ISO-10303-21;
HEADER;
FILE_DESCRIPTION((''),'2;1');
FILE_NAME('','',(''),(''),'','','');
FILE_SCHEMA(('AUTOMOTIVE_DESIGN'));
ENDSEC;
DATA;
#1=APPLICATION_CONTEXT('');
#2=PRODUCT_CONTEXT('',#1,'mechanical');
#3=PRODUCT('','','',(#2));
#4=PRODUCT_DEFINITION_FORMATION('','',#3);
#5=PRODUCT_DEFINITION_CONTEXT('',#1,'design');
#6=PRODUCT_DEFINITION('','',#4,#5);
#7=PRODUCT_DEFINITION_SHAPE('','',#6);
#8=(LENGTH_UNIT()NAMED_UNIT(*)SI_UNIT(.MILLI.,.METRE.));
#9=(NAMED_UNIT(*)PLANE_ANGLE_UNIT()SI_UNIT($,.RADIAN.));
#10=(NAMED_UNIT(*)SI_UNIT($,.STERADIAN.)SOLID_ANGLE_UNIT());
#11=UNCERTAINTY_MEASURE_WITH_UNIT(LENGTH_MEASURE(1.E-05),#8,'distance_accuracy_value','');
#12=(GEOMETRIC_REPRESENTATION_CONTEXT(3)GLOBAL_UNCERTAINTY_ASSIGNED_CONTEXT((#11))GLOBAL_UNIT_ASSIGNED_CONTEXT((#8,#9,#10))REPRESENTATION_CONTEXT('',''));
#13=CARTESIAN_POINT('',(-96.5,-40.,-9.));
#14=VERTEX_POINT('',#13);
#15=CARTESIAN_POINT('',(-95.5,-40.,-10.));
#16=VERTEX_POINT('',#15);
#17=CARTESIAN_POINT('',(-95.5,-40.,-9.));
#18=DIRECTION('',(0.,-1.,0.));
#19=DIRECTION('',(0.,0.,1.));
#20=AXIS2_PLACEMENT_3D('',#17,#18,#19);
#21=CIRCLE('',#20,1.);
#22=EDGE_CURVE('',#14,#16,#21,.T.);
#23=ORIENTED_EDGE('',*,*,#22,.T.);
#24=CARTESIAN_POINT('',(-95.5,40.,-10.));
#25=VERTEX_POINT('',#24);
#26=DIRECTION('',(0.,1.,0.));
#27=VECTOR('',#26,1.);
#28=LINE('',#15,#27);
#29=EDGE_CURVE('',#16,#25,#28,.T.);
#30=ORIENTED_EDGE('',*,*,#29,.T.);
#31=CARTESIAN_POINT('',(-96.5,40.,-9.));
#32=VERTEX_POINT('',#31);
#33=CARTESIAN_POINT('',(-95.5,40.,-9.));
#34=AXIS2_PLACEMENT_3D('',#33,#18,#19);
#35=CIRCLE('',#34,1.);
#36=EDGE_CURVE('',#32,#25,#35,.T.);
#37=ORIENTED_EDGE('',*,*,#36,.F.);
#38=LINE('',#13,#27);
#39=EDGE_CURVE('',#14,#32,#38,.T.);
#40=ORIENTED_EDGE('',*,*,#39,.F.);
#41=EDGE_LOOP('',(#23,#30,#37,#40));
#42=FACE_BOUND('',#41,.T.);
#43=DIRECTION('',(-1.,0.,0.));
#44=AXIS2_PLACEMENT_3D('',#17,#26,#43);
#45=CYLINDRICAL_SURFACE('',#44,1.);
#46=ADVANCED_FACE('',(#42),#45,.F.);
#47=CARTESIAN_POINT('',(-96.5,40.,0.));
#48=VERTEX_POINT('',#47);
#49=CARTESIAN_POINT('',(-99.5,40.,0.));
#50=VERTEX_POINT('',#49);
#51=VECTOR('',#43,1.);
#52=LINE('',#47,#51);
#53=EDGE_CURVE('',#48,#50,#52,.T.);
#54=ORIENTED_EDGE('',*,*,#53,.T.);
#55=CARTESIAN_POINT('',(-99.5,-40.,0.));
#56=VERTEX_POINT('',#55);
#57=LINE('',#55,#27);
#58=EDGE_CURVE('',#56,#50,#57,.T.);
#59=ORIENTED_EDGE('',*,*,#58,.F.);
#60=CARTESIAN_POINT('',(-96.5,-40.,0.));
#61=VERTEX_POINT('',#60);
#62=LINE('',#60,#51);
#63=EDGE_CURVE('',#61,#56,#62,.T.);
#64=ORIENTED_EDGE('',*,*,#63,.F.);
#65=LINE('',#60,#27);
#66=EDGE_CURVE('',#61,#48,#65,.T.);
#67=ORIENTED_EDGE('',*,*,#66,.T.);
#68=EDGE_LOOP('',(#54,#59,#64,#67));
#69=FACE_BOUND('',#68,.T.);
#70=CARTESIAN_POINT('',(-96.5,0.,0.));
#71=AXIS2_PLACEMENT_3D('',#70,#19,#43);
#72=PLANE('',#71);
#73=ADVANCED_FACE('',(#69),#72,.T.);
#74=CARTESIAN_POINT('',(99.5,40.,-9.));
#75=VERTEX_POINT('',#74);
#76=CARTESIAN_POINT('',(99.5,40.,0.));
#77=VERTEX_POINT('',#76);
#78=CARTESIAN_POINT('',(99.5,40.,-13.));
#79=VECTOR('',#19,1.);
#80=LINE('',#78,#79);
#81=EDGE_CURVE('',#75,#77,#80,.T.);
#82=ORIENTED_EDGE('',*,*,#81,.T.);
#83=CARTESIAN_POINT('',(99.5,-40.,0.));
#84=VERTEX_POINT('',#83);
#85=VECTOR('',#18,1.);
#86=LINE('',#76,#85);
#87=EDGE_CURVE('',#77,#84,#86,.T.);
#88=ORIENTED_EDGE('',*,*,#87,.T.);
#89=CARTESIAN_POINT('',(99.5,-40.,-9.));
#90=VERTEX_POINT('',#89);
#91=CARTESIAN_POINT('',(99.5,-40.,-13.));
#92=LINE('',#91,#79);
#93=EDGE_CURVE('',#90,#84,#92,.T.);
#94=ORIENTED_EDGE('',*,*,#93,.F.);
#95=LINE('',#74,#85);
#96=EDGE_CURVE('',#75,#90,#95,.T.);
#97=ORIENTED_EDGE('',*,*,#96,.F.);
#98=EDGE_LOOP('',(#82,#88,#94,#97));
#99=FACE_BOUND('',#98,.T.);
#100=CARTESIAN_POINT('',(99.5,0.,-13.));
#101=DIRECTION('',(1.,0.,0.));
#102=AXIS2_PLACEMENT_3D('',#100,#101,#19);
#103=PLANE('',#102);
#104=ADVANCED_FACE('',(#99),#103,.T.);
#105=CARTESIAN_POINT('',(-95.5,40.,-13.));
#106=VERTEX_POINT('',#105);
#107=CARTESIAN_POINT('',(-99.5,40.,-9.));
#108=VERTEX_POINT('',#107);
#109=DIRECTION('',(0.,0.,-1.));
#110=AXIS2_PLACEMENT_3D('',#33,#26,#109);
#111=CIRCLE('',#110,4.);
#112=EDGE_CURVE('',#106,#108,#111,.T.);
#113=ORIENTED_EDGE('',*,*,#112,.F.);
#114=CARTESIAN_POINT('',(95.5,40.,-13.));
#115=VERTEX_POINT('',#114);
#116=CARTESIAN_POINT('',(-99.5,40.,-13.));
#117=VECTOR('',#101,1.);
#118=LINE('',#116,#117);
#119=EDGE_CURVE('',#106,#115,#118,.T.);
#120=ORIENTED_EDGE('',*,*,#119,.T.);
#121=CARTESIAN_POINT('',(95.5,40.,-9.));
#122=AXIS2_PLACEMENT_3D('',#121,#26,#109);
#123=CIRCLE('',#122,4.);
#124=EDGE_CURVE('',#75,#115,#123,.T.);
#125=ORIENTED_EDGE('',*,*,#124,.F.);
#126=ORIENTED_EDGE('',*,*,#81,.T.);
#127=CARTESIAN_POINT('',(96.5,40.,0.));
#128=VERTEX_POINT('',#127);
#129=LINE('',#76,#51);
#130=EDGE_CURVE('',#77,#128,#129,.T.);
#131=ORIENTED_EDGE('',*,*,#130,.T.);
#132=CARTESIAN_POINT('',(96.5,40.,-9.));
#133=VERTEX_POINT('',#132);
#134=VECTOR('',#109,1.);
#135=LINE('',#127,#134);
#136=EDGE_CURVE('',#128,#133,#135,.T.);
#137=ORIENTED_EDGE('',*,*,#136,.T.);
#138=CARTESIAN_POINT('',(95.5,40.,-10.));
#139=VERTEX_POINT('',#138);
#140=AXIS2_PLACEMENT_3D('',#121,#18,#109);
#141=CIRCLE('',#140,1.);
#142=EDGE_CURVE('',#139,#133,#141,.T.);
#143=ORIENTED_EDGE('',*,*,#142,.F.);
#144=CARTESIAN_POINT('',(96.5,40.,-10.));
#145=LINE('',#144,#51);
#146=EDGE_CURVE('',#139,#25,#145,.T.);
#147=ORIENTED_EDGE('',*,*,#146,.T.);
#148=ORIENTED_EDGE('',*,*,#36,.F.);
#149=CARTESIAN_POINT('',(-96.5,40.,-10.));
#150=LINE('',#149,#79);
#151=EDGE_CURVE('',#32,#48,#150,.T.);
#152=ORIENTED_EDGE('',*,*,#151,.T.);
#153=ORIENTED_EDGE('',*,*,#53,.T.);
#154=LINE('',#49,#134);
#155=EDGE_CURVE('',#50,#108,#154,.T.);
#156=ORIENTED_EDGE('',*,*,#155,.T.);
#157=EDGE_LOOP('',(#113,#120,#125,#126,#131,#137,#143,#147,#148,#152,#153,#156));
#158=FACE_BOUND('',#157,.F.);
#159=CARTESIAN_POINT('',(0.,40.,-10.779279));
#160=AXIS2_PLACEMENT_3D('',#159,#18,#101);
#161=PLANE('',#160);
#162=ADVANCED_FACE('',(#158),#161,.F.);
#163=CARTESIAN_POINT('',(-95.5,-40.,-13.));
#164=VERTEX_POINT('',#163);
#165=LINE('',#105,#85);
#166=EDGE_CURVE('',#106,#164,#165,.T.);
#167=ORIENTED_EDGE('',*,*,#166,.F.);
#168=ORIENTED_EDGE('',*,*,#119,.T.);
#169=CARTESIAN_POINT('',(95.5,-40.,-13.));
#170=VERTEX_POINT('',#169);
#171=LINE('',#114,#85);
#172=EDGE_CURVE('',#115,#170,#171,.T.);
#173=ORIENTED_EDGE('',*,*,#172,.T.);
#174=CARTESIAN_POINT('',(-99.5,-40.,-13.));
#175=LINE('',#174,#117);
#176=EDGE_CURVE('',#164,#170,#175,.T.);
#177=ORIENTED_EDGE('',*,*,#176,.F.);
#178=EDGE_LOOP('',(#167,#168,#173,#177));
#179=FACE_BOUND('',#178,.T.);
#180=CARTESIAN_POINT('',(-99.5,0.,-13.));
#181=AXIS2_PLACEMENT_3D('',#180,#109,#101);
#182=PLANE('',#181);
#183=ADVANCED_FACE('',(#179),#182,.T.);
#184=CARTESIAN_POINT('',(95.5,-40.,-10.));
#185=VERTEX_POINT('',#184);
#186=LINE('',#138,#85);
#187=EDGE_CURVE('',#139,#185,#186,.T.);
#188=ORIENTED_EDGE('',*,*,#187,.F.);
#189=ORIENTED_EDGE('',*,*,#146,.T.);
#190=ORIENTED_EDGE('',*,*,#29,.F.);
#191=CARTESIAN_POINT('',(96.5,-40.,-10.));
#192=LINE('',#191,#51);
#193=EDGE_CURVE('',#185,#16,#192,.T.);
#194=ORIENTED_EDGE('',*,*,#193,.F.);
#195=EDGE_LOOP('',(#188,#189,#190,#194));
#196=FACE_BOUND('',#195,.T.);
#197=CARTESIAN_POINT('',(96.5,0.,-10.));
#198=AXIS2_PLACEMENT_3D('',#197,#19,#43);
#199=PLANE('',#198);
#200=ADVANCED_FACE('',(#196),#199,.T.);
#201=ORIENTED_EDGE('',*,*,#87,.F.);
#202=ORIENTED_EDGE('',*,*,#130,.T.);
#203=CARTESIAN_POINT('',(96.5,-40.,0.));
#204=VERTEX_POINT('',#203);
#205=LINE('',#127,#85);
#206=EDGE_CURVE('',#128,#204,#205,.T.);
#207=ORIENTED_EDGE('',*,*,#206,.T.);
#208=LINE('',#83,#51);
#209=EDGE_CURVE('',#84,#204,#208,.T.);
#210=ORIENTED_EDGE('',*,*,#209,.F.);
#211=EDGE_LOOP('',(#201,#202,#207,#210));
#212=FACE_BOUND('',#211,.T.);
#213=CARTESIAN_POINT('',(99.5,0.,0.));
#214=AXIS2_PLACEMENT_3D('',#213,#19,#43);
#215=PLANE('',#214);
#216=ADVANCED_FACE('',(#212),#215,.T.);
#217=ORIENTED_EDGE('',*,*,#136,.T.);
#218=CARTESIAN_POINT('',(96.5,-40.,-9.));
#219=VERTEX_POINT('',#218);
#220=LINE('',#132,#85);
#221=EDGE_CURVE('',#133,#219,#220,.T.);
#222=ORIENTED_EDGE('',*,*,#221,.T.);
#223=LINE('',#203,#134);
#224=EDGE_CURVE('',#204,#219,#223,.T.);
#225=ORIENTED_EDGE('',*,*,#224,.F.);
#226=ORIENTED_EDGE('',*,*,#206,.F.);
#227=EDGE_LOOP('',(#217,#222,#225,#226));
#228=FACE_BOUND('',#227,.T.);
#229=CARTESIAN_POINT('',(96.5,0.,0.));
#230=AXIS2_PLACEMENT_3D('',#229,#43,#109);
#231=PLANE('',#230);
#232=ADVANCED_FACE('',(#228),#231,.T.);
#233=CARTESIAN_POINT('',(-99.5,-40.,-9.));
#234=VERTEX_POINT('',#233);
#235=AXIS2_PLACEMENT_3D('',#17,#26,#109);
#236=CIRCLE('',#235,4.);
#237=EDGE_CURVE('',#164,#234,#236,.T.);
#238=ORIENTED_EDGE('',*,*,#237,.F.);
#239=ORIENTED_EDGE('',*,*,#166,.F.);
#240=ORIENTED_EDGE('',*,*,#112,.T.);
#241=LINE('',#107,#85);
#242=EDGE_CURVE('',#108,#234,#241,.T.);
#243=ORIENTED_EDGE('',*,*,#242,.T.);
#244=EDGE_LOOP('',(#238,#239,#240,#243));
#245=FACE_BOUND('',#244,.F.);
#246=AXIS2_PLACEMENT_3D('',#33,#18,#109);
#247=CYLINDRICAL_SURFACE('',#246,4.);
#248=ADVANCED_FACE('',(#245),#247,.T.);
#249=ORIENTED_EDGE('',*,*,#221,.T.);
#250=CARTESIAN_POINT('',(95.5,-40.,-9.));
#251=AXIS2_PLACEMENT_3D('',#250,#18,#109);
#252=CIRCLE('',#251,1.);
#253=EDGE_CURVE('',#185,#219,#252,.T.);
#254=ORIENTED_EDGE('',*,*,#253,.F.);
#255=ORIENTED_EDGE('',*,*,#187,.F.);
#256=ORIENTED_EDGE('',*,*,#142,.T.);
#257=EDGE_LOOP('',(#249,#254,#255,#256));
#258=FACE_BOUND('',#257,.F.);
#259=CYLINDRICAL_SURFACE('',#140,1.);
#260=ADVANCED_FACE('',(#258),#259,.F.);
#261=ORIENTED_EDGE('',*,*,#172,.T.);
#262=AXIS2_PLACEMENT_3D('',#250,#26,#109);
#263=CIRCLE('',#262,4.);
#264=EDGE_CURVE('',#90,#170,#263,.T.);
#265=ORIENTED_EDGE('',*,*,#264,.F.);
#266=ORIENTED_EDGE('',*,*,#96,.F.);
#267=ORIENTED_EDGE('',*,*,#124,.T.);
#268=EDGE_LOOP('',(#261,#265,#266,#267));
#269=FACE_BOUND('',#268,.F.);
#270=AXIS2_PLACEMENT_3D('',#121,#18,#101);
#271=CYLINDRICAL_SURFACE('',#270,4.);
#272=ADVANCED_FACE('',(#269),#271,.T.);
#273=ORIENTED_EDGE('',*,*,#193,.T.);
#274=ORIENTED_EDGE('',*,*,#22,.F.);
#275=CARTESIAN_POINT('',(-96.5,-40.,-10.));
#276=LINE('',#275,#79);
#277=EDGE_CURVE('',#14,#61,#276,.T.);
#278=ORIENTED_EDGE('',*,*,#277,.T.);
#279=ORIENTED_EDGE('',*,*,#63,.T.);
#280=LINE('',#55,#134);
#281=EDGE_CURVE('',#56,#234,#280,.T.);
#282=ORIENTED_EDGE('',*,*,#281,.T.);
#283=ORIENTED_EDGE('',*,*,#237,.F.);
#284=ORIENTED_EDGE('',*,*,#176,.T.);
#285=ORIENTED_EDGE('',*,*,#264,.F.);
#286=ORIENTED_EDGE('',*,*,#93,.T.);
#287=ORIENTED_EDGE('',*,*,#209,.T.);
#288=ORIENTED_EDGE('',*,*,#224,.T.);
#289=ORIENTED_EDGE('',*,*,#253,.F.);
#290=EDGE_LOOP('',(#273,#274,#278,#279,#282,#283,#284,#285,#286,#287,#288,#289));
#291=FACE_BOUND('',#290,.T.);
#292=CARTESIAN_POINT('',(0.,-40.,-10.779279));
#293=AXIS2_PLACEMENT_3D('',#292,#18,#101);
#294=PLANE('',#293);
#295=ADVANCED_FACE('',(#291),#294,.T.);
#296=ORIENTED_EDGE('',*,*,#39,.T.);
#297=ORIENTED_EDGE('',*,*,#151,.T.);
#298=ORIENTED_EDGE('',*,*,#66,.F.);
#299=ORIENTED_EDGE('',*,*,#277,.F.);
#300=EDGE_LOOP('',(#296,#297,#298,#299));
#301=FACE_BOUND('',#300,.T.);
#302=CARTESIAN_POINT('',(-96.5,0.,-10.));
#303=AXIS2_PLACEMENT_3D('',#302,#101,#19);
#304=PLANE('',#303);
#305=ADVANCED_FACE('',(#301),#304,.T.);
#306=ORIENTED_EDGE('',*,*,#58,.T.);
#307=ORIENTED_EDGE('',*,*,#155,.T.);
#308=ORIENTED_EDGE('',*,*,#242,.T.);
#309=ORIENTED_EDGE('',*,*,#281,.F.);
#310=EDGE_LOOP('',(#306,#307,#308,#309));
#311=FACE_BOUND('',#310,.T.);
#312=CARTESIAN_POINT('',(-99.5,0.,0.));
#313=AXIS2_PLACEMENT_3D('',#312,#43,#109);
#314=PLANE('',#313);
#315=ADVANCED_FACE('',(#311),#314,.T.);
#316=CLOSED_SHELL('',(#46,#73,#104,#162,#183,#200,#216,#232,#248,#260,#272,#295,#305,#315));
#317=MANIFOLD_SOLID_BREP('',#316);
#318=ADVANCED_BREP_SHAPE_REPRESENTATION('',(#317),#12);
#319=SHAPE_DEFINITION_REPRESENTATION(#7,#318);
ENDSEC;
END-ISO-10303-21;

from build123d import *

# Parameters (mm, degrees)
F1_DEPTH = 40
F2_R     = 1
F3_R     = 4


with BuildPart() as f1:
    # F0 (on Front) → F1 (new body, symmetric)
    with BuildSketch(Plane.XZ):
        Polygon((-99.5, 0), (-99.5, -13), (99.5, -13), (99.5, 0), (96.5, 0), (96.5, -10), (-96.5, -10), (-96.5, 0), align=None)
    extrude(amount=F1_DEPTH, both=True)

    # F2
    f2_edges = [f1.edges().sort_by_distance(p)[0] for p in [
        (-96.5, 0, -10),
        (96.5, 0, -10),
    ]]
    fillet(f2_edges, radius=F2_R)

    # F3
    f3_edges = [f1.edges().sort_by_distance(p)[0] for p in [
        (-99.5, 0, -13),
        (99.5, 0, -13),
    ]]
    fillet(f3_edges, radius=F3_R)


solid = f1.part
